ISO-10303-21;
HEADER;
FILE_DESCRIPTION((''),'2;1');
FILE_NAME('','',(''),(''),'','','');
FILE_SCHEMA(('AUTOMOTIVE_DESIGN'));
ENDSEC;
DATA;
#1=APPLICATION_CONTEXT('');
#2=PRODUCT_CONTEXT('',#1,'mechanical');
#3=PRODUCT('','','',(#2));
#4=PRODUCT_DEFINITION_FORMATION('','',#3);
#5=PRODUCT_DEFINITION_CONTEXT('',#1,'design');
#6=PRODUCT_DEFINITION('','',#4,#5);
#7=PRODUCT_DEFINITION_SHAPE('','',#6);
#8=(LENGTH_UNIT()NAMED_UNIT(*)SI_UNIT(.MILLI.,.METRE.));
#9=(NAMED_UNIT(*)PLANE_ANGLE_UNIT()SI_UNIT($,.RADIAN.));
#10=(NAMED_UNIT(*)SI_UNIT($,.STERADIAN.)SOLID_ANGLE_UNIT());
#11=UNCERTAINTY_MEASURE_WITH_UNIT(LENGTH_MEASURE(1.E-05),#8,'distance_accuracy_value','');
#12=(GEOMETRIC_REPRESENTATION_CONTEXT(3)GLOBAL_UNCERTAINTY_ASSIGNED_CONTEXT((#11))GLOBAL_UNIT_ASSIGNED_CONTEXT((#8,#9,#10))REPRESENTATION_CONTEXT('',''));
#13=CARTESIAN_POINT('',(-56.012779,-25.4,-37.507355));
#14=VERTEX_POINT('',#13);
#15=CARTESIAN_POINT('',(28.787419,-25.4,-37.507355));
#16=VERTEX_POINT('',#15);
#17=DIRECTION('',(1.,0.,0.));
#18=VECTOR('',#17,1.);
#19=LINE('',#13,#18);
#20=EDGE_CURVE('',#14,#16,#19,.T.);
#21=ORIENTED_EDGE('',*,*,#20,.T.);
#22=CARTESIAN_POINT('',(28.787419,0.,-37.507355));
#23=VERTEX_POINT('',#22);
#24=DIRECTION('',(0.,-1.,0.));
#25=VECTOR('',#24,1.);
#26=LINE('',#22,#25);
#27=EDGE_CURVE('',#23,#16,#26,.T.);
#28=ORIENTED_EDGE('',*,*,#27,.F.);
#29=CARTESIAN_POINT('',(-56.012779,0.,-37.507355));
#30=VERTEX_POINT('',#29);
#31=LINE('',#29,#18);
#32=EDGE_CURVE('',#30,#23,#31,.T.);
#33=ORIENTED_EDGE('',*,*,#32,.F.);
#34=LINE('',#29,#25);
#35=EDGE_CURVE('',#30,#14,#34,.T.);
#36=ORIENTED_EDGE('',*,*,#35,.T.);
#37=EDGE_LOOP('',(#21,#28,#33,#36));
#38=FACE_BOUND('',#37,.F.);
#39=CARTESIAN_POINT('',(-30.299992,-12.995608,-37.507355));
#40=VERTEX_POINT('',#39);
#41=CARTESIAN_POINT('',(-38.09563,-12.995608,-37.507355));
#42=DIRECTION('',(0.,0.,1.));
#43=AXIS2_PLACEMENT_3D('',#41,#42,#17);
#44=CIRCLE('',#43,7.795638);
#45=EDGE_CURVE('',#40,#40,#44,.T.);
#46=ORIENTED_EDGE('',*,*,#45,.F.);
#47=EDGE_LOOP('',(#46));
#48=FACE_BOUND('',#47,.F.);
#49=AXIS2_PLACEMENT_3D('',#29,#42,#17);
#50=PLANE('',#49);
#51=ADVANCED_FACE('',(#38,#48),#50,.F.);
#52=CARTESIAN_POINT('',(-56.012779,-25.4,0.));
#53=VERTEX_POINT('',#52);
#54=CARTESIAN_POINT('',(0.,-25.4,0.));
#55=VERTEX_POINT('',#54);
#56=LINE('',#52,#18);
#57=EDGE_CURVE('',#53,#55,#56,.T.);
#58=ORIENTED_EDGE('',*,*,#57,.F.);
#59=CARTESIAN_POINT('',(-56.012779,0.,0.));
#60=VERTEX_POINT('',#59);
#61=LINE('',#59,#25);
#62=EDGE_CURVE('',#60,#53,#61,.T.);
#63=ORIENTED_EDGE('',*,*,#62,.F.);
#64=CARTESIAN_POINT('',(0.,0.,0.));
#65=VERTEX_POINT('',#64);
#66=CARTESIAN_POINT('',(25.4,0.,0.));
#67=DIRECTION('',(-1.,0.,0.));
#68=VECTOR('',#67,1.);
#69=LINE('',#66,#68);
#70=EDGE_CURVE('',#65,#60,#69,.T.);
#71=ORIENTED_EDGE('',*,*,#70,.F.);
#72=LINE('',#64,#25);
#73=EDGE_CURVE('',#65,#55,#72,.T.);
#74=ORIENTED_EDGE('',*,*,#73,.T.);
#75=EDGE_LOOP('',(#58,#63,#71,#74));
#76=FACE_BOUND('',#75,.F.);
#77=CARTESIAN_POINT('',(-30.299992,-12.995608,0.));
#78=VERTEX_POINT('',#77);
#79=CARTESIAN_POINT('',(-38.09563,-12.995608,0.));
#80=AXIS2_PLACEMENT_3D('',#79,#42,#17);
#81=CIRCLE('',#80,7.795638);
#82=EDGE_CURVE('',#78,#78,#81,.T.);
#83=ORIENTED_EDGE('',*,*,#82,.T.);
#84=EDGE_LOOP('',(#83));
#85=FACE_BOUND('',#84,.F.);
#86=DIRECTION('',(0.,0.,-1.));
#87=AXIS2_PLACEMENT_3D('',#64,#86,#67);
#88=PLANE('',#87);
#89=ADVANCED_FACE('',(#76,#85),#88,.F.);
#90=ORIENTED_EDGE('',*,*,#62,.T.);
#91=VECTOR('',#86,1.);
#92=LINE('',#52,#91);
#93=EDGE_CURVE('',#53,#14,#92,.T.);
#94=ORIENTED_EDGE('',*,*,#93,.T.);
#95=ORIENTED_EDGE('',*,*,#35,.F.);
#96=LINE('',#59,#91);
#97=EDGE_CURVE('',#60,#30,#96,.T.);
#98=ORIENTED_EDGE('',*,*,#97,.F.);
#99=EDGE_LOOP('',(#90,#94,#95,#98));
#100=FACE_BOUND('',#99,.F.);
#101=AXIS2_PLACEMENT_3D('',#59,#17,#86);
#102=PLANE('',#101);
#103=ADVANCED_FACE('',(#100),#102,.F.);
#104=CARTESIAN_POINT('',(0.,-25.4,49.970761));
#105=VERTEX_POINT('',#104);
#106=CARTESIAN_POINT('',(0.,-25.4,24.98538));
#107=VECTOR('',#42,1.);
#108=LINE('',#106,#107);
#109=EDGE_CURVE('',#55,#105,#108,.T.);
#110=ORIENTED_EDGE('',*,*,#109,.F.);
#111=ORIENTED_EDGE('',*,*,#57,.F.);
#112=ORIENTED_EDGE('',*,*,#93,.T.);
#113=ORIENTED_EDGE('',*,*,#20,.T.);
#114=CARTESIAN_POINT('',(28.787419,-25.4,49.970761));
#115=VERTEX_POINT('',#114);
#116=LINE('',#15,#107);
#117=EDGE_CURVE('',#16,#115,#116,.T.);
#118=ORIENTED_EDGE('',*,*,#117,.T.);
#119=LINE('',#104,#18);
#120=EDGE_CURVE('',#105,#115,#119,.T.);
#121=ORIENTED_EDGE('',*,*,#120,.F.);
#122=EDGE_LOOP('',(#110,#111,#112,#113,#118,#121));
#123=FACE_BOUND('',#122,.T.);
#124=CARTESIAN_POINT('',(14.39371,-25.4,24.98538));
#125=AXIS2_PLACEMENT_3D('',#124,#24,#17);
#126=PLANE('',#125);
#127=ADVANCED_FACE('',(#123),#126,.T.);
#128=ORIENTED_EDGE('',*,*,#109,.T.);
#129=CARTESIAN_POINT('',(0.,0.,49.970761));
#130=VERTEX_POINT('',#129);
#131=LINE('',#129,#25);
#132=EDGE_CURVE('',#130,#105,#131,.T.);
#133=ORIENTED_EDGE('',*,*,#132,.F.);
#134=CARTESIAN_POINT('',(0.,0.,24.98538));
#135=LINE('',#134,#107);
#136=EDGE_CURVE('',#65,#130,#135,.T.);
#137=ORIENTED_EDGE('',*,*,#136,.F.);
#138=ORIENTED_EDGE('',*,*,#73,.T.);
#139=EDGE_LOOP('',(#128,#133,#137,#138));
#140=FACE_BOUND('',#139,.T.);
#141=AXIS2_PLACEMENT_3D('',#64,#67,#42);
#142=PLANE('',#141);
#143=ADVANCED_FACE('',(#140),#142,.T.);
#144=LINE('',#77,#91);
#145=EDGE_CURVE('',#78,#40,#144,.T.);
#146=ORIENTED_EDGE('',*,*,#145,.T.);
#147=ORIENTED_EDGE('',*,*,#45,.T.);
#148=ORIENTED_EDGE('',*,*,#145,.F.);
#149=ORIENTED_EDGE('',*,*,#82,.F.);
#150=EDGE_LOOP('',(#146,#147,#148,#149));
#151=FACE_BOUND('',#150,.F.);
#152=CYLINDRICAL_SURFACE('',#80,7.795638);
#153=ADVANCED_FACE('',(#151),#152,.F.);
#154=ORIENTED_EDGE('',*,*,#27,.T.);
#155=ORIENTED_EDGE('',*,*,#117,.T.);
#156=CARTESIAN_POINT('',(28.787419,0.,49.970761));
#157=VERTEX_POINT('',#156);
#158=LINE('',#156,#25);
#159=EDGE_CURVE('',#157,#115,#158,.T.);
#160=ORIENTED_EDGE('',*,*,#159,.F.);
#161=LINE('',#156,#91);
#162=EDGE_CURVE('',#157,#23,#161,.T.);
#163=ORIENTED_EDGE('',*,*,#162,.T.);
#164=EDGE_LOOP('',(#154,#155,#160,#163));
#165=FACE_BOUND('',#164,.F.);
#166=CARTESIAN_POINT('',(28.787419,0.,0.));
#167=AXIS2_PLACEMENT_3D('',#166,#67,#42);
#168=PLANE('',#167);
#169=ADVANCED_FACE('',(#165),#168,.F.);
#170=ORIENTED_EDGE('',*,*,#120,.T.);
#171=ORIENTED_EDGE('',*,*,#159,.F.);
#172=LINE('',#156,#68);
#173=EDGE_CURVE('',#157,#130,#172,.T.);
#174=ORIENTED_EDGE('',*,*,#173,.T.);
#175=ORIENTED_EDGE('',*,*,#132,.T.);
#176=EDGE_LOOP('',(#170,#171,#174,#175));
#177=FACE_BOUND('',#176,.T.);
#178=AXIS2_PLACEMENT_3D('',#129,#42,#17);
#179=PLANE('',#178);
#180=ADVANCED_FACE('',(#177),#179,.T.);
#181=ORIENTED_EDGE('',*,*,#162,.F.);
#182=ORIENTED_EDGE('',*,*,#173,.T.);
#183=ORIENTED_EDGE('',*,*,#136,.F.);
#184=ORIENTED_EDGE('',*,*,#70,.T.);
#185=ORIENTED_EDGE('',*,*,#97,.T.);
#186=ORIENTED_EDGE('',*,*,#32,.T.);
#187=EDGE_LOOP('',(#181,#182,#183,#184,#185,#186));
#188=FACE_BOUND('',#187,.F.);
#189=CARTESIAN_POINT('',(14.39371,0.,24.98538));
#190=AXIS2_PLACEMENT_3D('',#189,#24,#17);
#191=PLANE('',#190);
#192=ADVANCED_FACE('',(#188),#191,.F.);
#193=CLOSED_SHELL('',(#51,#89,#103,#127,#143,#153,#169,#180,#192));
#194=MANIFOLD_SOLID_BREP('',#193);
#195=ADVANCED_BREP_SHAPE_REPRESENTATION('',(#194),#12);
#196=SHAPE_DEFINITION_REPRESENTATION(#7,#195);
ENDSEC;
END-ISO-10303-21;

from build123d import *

# Parameters (mm, degrees)
F0_W     = 28.7874191999
F0_H     = 49.9707609415
F1_DEPTH = 25.4
F2_DEPTH = 25.4
F3_DEPTH = 25.4
F4_DEPTH = 25.4
F5_R     = 7.7956381062
F6_DEPTH = 38.1


with BuildPart() as f1:
    # F0 (on Front) → F1 (new body)
    with BuildSketch(Plane.XZ):
        with Locations((14.3937096, 24.9853804708)):
            Rectangle(F0_W, F0_H)
    extrude(amount=F1_DEPTH)

    # F0 (on Front) → F2 (join)
    with BuildSketch(Plane.XZ):
        with Locations((14.3937096, 24.9853804708)):
            Rectangle(F0_W, F0_H)
        Polygon((-56.0127794743, 0), (-56.0127794743, -37.5073552132), (28.7874191999, -37.5073552132), (28.7874191999, 0), (0, 0), align=None)
    extrude(amount=F2_DEPTH)

    # F3 (cut): a face of the model
    f3_faces = [f1.faces().sort_by_distance(p)[0] for p in [
        (0, -12.7, 24.9853804708),
    ]]
    extrude(f3_faces, amount=-F3_DEPTH, mode=Mode.SUBTRACT)

    # F0 (on Front) → F4 (join)
    with BuildSketch(Plane.XZ):
        with Locations((14.3937096, 24.9853804708)):
            Rectangle(F0_W, F0_H)
    extrude(amount=F4_DEPTH)

    # F5 (on face) → F6 (cut)
    with BuildSketch(Plane.XY):
        with Locations((-38.0956299985, -12.9956078465)):
            Circle(F5_R)
    extrude(amount=-F6_DEPTH, mode=Mode.SUBTRACT)


solid = f1.part
